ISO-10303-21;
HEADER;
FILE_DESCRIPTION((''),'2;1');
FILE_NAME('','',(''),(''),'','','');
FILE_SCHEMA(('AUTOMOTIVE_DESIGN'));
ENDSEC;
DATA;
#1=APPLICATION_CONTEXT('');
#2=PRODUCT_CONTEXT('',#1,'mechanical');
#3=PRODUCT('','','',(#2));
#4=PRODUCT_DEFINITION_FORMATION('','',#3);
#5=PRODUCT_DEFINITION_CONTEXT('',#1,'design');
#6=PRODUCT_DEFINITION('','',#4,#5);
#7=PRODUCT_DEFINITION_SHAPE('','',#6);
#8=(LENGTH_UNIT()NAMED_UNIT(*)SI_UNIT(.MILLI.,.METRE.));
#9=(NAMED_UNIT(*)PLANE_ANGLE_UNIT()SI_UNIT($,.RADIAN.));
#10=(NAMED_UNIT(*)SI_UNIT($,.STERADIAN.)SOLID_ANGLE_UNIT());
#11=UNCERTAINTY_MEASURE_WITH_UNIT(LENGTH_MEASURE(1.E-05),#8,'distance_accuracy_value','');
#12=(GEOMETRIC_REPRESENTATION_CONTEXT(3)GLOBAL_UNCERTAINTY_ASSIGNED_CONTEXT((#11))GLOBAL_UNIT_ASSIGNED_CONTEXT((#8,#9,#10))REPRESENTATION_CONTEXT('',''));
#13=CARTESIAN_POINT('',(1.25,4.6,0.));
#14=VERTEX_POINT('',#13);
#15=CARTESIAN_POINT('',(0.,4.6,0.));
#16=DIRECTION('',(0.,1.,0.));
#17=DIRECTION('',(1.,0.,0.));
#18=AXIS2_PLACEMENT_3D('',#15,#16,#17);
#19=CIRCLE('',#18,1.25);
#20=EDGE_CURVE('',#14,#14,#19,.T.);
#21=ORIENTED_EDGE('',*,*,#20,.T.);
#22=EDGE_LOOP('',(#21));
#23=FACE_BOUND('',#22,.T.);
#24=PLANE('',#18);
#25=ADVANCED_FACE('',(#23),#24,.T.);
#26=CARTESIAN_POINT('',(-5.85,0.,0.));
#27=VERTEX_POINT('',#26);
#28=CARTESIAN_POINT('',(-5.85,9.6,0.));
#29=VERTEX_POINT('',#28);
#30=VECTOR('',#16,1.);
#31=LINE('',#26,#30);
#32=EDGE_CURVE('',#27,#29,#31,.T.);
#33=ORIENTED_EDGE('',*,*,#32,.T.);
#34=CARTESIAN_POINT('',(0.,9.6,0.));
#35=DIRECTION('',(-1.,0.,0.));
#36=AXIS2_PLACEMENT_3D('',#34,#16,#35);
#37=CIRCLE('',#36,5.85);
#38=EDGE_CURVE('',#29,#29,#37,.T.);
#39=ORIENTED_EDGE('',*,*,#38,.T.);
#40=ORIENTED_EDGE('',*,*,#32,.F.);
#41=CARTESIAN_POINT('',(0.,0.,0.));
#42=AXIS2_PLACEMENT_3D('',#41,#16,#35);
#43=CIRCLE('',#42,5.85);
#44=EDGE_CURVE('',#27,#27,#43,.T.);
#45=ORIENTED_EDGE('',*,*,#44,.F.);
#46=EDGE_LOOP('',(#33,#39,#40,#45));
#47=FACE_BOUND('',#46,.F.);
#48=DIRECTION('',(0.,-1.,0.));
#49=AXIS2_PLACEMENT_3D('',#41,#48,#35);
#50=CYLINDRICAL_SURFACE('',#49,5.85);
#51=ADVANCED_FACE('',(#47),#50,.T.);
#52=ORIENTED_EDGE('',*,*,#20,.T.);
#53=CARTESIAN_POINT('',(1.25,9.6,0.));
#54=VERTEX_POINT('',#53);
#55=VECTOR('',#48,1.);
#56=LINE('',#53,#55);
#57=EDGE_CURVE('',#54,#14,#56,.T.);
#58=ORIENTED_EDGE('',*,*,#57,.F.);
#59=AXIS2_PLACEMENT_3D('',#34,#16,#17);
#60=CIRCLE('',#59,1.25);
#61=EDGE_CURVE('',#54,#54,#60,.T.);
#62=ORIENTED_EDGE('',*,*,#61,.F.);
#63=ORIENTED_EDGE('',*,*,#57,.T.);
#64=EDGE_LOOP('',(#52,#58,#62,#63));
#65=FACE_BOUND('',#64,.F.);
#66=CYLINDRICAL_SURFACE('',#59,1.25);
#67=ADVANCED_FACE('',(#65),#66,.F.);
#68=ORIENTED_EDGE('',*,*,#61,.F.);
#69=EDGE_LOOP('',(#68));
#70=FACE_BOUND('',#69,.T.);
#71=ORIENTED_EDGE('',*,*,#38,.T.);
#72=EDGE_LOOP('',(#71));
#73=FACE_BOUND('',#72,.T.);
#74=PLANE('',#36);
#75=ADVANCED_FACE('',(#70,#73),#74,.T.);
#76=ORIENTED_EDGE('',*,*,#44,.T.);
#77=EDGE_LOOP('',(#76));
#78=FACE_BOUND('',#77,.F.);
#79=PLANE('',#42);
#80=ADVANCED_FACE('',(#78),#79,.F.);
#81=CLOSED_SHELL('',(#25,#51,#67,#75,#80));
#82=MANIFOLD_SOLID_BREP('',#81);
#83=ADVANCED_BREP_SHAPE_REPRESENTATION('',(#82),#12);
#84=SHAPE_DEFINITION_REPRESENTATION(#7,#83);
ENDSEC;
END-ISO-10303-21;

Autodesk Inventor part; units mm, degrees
ref_plane "YZ Plane" through (0, 0, 0) normal (1, 0, 0) x (0, 1, 0)
ref_plane "XZ Plane" through (0, 0, 0) normal (0, 1, 0) x (-1, 0, 0)
ref_plane "XY Plane" through (0, 0, 0) normal (0, 0, 1) x (1, 0, 0)
sketch "Sketch1" plane through (0, 0, 0) normal (0, 1, 0) x (-1, 0, 0)
  circle A0 centre (0, 0) radius 5.85
  dimension "d0" = 11.7
extrude "Extrusion1" add sketch "Sketch1" along normal blind 9.6
sketch "Sketch2" plane through (0, 9.6, 0) normal (0, 1, 0) x (1, 0, 0)
  circle A0 centre (0, 0) radius 5.85 projected
  circle A1 centre (0, 0) radius 1.25
  dimension "d3" = 2.5
extrude "Extrusion2" cut sketch "Sketch2" against normal blind 5 contours A1
properties part number "piezo_buzzer"
